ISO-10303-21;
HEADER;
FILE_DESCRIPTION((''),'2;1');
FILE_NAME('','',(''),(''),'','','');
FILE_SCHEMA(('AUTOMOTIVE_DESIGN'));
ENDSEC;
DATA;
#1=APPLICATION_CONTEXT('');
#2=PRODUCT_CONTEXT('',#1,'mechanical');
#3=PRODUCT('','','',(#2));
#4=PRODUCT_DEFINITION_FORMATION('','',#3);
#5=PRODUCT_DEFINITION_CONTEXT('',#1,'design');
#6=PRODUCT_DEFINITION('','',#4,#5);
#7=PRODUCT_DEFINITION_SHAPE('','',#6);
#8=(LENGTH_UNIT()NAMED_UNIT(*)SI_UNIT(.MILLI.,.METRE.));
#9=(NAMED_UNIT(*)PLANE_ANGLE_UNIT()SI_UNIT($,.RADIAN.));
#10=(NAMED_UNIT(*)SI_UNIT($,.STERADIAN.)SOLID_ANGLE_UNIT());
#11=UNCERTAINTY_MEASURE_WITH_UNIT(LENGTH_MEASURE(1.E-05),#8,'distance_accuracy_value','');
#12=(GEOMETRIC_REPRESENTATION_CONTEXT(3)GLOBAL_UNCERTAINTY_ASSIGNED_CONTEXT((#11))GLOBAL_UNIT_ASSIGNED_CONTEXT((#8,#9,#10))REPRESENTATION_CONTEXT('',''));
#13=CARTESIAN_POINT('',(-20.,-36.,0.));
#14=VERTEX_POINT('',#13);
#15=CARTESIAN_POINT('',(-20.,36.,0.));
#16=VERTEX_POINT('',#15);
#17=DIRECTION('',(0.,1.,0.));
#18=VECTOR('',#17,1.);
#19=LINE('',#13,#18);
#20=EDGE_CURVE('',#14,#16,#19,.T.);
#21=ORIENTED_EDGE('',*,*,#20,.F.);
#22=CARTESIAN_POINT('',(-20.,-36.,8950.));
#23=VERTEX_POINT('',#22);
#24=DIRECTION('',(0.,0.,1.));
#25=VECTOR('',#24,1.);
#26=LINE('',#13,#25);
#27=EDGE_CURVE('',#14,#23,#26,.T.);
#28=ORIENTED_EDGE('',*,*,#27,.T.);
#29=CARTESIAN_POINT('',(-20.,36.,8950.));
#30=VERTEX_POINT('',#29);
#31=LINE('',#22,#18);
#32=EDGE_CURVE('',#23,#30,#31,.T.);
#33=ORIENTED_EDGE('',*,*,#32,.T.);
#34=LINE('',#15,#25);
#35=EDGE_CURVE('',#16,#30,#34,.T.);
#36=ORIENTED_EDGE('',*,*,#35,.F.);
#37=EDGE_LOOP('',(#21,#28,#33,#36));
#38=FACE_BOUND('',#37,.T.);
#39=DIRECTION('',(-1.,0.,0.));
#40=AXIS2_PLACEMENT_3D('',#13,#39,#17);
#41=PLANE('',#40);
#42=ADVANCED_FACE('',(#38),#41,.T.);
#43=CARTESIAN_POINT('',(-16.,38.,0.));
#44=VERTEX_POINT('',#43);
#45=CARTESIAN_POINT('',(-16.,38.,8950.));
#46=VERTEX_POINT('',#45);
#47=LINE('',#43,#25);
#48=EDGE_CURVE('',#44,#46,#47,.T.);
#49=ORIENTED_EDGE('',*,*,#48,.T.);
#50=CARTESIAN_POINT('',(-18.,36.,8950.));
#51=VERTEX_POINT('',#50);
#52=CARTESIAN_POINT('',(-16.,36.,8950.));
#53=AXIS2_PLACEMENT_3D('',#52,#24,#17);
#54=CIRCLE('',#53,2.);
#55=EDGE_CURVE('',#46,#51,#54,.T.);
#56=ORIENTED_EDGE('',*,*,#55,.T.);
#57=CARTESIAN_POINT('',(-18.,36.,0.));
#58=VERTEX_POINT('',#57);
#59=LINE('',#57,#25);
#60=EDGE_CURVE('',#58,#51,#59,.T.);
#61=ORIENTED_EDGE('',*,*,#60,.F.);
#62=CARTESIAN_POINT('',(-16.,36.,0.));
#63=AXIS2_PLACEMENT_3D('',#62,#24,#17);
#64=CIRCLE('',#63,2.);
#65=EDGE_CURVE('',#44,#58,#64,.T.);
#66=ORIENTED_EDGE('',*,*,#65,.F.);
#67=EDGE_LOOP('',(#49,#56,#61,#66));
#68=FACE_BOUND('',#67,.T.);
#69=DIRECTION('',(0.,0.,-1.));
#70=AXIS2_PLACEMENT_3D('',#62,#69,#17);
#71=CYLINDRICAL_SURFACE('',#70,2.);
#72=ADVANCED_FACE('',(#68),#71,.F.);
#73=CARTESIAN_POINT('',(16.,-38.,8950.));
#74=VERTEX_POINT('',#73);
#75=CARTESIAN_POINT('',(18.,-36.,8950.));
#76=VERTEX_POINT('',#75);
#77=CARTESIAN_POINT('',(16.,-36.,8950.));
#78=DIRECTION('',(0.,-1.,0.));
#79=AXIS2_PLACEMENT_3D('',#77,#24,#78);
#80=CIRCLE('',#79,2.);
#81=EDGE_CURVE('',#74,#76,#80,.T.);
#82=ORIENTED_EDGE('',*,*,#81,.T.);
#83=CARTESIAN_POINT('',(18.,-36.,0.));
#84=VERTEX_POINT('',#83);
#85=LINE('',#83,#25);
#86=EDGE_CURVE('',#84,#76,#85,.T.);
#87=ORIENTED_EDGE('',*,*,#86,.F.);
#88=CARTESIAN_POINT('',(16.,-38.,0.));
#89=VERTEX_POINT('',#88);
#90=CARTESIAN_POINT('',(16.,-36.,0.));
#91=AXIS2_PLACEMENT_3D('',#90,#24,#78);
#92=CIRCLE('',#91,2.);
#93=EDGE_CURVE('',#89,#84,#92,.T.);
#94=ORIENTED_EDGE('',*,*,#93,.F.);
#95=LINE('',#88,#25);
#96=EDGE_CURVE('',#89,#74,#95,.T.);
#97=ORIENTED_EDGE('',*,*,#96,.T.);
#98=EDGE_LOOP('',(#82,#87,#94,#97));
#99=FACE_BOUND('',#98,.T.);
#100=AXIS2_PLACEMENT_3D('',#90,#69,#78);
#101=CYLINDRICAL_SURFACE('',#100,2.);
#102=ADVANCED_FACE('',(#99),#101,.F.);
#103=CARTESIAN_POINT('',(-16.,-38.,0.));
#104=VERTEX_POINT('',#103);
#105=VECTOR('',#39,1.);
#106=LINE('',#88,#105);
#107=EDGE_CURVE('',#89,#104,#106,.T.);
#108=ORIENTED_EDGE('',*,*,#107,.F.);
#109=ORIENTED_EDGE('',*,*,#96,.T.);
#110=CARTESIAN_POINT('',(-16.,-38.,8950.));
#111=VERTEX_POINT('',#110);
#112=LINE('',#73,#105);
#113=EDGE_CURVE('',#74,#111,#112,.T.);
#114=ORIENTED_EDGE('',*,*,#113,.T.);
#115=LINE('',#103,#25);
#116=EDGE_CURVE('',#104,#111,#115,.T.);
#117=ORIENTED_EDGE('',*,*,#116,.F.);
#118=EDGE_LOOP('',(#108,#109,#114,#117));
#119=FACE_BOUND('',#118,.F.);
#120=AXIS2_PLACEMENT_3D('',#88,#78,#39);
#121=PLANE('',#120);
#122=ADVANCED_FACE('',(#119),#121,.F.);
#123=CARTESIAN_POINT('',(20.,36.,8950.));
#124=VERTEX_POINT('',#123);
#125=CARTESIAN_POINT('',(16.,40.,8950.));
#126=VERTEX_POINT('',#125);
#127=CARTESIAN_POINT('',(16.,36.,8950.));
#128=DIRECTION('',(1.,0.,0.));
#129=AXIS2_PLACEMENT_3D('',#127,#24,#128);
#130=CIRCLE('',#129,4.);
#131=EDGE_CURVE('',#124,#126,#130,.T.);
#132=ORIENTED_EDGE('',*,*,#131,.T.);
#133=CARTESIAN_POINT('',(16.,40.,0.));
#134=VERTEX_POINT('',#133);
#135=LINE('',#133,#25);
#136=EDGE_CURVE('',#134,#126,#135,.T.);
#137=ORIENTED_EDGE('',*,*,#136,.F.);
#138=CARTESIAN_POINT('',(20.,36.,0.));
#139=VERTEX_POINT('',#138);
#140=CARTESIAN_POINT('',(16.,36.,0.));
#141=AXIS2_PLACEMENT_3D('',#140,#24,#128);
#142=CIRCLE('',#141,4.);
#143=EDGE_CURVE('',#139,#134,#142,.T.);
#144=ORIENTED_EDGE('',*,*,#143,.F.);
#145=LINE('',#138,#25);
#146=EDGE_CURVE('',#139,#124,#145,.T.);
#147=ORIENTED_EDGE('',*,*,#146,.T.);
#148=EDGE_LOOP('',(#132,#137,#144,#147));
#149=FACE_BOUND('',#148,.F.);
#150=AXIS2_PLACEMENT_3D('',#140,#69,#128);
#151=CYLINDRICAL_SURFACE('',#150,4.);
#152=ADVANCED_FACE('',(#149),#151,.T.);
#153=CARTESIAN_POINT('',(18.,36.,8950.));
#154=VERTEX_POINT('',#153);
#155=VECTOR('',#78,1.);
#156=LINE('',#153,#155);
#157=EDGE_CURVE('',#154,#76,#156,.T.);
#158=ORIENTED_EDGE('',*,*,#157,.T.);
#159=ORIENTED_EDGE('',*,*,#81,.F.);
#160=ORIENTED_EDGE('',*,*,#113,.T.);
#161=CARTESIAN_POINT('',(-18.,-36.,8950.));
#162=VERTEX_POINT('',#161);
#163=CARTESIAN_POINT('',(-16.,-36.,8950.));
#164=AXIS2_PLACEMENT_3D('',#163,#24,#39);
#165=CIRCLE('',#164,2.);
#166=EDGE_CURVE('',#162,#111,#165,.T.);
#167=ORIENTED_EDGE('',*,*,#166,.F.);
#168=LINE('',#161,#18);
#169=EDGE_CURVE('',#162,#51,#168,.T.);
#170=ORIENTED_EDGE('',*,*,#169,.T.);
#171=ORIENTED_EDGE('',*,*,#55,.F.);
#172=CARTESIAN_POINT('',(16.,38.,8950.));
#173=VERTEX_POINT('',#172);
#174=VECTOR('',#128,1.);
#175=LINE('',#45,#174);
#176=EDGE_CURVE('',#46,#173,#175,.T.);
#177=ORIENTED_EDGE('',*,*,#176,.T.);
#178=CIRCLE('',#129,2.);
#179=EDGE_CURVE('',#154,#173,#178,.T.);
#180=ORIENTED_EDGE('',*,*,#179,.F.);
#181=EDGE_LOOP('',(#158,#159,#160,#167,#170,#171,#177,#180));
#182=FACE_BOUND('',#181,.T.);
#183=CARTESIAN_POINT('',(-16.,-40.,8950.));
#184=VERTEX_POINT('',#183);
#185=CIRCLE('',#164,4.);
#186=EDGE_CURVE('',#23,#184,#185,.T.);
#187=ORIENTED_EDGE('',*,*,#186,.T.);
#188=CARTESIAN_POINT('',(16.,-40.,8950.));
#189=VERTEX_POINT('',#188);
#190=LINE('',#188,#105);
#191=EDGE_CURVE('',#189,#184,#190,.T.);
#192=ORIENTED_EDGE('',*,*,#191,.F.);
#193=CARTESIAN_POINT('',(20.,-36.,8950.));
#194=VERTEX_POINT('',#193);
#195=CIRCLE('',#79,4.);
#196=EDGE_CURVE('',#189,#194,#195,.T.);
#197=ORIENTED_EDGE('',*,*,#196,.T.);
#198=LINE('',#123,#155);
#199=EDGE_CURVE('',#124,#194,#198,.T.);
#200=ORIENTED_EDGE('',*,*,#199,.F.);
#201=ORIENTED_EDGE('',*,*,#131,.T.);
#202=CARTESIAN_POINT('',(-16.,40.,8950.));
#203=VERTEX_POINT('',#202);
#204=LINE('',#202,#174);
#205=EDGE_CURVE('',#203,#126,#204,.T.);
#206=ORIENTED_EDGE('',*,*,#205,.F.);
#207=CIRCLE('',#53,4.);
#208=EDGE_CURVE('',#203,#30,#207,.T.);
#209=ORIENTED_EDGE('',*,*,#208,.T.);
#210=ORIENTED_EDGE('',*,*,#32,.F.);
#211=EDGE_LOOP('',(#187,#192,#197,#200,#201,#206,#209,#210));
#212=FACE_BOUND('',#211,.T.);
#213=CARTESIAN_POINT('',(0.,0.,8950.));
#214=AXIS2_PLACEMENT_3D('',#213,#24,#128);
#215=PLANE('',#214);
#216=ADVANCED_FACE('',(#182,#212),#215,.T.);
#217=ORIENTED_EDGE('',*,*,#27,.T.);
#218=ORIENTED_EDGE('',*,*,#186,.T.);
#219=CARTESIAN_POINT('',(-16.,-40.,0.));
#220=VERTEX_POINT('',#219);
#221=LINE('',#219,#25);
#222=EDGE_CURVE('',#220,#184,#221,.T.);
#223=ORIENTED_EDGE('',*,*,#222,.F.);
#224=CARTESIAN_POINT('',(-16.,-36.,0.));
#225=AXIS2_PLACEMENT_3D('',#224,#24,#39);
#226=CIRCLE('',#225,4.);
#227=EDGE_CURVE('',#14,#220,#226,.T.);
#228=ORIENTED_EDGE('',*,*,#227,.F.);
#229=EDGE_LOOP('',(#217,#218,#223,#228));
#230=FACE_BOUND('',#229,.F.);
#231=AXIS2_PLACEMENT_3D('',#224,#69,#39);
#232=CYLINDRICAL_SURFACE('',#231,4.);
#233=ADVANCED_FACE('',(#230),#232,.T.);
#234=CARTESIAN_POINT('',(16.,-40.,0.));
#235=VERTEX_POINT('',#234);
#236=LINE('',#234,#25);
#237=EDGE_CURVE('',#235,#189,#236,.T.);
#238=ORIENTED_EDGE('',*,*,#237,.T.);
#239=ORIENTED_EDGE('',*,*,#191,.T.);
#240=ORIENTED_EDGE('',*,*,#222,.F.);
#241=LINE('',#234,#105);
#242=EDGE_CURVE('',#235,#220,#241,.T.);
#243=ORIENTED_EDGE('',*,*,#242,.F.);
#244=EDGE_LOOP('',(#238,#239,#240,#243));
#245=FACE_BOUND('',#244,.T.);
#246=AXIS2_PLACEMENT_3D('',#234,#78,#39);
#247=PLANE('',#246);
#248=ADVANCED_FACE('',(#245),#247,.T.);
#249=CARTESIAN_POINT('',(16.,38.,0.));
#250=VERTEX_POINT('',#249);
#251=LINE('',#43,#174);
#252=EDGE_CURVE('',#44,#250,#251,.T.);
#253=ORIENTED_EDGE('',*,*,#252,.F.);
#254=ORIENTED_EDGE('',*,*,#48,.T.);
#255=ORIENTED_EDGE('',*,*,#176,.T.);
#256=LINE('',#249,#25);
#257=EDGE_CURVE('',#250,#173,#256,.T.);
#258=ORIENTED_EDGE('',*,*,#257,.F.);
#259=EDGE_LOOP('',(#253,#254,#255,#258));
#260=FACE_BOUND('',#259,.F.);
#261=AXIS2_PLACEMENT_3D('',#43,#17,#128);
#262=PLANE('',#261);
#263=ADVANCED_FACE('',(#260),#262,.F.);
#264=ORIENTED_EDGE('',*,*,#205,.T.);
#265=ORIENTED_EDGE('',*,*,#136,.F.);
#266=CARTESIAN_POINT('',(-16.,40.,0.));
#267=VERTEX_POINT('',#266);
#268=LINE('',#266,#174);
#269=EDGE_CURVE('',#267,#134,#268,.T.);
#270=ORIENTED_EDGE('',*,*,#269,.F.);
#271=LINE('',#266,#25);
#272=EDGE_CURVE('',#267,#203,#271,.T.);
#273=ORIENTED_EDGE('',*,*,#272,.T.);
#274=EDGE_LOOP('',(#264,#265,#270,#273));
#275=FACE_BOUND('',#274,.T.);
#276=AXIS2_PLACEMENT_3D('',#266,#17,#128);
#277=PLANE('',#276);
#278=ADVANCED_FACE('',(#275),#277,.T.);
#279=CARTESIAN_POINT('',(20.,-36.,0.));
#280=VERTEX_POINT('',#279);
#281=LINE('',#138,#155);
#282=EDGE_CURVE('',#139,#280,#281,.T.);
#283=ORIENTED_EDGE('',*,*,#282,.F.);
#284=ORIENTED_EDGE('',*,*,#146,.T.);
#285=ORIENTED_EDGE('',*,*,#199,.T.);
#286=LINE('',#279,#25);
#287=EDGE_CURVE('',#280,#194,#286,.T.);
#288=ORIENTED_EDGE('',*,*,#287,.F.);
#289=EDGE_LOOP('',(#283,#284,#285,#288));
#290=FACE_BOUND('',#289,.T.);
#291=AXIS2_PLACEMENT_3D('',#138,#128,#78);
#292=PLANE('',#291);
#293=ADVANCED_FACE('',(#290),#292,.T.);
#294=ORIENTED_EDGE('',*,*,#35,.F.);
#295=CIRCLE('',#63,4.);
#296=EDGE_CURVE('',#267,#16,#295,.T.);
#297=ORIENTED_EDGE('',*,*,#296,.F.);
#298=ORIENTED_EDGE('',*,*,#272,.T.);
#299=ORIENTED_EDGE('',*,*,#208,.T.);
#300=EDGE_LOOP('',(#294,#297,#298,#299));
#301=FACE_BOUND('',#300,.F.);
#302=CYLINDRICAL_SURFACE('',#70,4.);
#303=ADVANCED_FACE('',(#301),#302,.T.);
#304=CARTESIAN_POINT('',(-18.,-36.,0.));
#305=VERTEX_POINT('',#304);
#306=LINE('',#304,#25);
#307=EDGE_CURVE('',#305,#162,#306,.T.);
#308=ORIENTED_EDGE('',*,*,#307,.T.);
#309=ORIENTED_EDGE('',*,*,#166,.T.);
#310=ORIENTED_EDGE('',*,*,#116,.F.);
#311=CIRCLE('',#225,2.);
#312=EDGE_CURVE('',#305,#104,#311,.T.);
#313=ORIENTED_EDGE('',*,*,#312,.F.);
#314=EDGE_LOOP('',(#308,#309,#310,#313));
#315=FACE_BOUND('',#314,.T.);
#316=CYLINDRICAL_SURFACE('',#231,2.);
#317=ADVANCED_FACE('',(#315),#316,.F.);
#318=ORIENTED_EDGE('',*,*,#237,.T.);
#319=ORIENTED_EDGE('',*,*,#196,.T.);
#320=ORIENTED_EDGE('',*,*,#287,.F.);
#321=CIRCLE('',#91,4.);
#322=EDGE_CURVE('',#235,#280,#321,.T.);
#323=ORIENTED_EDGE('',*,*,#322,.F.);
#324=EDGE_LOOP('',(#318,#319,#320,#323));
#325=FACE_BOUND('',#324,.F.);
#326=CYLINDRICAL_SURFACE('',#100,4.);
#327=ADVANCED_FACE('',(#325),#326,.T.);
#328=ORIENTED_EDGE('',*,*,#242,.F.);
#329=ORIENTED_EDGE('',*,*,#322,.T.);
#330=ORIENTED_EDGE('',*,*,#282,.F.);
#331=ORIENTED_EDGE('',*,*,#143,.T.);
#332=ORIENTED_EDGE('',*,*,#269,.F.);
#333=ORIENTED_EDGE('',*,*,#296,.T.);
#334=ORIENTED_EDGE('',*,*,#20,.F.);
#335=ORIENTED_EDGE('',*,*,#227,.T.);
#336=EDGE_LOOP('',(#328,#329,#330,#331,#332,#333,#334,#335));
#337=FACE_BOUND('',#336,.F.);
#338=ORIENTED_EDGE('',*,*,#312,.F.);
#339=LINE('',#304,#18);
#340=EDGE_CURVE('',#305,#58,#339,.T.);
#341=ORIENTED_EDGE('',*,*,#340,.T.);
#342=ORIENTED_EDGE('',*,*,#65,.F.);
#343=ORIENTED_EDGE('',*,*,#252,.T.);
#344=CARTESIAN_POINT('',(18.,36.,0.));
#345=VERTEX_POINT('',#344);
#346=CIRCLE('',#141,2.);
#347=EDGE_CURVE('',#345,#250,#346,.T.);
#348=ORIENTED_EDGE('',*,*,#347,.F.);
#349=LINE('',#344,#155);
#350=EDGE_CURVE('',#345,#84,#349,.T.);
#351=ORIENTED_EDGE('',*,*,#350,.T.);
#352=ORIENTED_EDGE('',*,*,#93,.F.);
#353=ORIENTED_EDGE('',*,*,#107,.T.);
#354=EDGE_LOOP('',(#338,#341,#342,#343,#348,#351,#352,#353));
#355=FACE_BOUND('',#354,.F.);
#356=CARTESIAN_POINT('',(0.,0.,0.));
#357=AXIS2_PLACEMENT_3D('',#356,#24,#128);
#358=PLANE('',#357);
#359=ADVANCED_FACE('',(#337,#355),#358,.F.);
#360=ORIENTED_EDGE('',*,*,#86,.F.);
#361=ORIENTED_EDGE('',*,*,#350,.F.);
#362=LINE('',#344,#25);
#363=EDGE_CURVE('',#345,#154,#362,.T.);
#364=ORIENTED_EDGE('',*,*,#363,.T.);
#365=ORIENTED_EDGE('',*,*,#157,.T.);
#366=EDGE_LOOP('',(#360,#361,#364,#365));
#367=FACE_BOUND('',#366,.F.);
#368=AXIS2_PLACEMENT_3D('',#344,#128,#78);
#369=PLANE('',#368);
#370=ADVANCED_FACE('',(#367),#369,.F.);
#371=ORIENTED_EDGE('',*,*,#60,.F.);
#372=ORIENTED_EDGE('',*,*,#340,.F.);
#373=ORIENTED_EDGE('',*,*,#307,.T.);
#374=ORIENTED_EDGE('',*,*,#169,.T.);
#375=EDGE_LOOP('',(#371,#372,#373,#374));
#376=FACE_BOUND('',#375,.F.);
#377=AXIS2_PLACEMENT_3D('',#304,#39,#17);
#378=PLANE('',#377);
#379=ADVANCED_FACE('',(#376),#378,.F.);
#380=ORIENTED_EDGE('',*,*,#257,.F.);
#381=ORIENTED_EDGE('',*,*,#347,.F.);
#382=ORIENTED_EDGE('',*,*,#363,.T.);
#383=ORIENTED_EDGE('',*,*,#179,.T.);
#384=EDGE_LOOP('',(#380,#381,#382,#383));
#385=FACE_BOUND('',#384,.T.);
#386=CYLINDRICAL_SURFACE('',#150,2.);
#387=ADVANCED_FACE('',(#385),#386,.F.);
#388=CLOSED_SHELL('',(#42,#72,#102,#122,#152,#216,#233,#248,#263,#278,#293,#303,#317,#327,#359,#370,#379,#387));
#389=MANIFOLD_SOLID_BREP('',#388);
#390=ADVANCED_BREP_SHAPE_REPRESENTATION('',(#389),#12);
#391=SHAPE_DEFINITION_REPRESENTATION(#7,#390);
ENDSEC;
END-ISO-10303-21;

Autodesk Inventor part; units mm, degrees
ref_plane "YZ Plane" through (0, 0, 0) normal (1, 0, 0) x (0, 1, 0)
ref_plane "Start Plane" through (0, 0, 0) normal (0, 0, 1) x (1, 0, 0)
ref_plane "End Plane" through (0, 0, 8950) normal (0, 0, 1) x (1, 0, 0)
sketch "Sketch" plane through (0, 0, 0) normal (0, 0, 1) x (1, 0, 0)
  line L0 (-20, -36) -> (-20, 36)
  line L1 (-16, 40) -> (16, 40)
  line L2 (20, 36) -> (20, -36)
  line L3 (16, -40) -> (-16, -40)
  arc A0 (-20, -36) -> (-16, -40) centre (-16, -36) ccw
  arc A1 (20, 36) -> (16, 40) centre (16, 36) ccw
  arc A2 (-16, 40) -> (-20, 36) centre (-16, 36) ccw
  arc A3 (16, -40) -> (20, -36) centre (16, -36) ccw
  arc A4 (-16, 38) -> (-18, 36) centre (-16, 36) ccw
  line L4 (-16, 38) -> (16, 38)
  arc A5 (18, 36) -> (16, 38) centre (16, 36) ccw
  line L5 (18, 36) -> (18, -36)
  arc A6 (16, -38) -> (18, -36) centre (16, -36) ccw
  line L6 (16, -38) -> (-16, -38)
  arc A7 (-18, -36) -> (-16, -38) centre (-16, -36) ccw
  line L7 (-18, -36) -> (-18, 36)
  line L8 (0, 57.1598) -> (0, -57.1598) construction
  line L9 (-29.1598, 0) -> (29.1598, 0) construction
  dimension "d7" = 4
  dimension "d9" = 40
  dimension "d11" = 80
  dimension "d12" = 2
  dimension "d15" = 20
  dimension "d16" = 40
extrude "Body" add sketch "Sketch" along normal up to surface (8950 mm away) from surface at 0
sketch "Sketch3" plane through (0, 0, 0) normal (0, 0, 1) x (1, 0, 0)
  line L0 (0, 0) -> (10, 0)
ref_plane "Work Plane3" through (0, 0, 0) normal (0, -1, 0) x (1, 0, 0)
sketch "Sketch4" plane through (0, 0, 0) normal (0, -1, 0) x (1, 0, 0)
  line L0 (-2, 0) -> (12, 0) projected
  line L1 (-2, 8950) -> (12, 8950) projected
  dimension "d18" = 8950
equation "\"d7\" = G_IR"
equation "\"d9\" = G_W"
equation "\"d11\" = G_H"
equation "\"d12\" = G_T"
equation "\"d15\" = 0.5 * d9"
equation "\"d16\" = 0.5 * d11"
equation "\"d3\" = G_L"
equation "\"G_W\" = 40"
equation "\"G_H\" = 80"
equation "\"G_T\" = 2"
equation "\"G_IR\" = 4"
equation "\"G_L\" = d18"
equation "\"G_OFFSET_START\" = 0"
equation "\"G_OFFSET_END\" = 0"
properties part number "ISO 4019 - 80x40x2 - 8950" material "Steel, Mild"
